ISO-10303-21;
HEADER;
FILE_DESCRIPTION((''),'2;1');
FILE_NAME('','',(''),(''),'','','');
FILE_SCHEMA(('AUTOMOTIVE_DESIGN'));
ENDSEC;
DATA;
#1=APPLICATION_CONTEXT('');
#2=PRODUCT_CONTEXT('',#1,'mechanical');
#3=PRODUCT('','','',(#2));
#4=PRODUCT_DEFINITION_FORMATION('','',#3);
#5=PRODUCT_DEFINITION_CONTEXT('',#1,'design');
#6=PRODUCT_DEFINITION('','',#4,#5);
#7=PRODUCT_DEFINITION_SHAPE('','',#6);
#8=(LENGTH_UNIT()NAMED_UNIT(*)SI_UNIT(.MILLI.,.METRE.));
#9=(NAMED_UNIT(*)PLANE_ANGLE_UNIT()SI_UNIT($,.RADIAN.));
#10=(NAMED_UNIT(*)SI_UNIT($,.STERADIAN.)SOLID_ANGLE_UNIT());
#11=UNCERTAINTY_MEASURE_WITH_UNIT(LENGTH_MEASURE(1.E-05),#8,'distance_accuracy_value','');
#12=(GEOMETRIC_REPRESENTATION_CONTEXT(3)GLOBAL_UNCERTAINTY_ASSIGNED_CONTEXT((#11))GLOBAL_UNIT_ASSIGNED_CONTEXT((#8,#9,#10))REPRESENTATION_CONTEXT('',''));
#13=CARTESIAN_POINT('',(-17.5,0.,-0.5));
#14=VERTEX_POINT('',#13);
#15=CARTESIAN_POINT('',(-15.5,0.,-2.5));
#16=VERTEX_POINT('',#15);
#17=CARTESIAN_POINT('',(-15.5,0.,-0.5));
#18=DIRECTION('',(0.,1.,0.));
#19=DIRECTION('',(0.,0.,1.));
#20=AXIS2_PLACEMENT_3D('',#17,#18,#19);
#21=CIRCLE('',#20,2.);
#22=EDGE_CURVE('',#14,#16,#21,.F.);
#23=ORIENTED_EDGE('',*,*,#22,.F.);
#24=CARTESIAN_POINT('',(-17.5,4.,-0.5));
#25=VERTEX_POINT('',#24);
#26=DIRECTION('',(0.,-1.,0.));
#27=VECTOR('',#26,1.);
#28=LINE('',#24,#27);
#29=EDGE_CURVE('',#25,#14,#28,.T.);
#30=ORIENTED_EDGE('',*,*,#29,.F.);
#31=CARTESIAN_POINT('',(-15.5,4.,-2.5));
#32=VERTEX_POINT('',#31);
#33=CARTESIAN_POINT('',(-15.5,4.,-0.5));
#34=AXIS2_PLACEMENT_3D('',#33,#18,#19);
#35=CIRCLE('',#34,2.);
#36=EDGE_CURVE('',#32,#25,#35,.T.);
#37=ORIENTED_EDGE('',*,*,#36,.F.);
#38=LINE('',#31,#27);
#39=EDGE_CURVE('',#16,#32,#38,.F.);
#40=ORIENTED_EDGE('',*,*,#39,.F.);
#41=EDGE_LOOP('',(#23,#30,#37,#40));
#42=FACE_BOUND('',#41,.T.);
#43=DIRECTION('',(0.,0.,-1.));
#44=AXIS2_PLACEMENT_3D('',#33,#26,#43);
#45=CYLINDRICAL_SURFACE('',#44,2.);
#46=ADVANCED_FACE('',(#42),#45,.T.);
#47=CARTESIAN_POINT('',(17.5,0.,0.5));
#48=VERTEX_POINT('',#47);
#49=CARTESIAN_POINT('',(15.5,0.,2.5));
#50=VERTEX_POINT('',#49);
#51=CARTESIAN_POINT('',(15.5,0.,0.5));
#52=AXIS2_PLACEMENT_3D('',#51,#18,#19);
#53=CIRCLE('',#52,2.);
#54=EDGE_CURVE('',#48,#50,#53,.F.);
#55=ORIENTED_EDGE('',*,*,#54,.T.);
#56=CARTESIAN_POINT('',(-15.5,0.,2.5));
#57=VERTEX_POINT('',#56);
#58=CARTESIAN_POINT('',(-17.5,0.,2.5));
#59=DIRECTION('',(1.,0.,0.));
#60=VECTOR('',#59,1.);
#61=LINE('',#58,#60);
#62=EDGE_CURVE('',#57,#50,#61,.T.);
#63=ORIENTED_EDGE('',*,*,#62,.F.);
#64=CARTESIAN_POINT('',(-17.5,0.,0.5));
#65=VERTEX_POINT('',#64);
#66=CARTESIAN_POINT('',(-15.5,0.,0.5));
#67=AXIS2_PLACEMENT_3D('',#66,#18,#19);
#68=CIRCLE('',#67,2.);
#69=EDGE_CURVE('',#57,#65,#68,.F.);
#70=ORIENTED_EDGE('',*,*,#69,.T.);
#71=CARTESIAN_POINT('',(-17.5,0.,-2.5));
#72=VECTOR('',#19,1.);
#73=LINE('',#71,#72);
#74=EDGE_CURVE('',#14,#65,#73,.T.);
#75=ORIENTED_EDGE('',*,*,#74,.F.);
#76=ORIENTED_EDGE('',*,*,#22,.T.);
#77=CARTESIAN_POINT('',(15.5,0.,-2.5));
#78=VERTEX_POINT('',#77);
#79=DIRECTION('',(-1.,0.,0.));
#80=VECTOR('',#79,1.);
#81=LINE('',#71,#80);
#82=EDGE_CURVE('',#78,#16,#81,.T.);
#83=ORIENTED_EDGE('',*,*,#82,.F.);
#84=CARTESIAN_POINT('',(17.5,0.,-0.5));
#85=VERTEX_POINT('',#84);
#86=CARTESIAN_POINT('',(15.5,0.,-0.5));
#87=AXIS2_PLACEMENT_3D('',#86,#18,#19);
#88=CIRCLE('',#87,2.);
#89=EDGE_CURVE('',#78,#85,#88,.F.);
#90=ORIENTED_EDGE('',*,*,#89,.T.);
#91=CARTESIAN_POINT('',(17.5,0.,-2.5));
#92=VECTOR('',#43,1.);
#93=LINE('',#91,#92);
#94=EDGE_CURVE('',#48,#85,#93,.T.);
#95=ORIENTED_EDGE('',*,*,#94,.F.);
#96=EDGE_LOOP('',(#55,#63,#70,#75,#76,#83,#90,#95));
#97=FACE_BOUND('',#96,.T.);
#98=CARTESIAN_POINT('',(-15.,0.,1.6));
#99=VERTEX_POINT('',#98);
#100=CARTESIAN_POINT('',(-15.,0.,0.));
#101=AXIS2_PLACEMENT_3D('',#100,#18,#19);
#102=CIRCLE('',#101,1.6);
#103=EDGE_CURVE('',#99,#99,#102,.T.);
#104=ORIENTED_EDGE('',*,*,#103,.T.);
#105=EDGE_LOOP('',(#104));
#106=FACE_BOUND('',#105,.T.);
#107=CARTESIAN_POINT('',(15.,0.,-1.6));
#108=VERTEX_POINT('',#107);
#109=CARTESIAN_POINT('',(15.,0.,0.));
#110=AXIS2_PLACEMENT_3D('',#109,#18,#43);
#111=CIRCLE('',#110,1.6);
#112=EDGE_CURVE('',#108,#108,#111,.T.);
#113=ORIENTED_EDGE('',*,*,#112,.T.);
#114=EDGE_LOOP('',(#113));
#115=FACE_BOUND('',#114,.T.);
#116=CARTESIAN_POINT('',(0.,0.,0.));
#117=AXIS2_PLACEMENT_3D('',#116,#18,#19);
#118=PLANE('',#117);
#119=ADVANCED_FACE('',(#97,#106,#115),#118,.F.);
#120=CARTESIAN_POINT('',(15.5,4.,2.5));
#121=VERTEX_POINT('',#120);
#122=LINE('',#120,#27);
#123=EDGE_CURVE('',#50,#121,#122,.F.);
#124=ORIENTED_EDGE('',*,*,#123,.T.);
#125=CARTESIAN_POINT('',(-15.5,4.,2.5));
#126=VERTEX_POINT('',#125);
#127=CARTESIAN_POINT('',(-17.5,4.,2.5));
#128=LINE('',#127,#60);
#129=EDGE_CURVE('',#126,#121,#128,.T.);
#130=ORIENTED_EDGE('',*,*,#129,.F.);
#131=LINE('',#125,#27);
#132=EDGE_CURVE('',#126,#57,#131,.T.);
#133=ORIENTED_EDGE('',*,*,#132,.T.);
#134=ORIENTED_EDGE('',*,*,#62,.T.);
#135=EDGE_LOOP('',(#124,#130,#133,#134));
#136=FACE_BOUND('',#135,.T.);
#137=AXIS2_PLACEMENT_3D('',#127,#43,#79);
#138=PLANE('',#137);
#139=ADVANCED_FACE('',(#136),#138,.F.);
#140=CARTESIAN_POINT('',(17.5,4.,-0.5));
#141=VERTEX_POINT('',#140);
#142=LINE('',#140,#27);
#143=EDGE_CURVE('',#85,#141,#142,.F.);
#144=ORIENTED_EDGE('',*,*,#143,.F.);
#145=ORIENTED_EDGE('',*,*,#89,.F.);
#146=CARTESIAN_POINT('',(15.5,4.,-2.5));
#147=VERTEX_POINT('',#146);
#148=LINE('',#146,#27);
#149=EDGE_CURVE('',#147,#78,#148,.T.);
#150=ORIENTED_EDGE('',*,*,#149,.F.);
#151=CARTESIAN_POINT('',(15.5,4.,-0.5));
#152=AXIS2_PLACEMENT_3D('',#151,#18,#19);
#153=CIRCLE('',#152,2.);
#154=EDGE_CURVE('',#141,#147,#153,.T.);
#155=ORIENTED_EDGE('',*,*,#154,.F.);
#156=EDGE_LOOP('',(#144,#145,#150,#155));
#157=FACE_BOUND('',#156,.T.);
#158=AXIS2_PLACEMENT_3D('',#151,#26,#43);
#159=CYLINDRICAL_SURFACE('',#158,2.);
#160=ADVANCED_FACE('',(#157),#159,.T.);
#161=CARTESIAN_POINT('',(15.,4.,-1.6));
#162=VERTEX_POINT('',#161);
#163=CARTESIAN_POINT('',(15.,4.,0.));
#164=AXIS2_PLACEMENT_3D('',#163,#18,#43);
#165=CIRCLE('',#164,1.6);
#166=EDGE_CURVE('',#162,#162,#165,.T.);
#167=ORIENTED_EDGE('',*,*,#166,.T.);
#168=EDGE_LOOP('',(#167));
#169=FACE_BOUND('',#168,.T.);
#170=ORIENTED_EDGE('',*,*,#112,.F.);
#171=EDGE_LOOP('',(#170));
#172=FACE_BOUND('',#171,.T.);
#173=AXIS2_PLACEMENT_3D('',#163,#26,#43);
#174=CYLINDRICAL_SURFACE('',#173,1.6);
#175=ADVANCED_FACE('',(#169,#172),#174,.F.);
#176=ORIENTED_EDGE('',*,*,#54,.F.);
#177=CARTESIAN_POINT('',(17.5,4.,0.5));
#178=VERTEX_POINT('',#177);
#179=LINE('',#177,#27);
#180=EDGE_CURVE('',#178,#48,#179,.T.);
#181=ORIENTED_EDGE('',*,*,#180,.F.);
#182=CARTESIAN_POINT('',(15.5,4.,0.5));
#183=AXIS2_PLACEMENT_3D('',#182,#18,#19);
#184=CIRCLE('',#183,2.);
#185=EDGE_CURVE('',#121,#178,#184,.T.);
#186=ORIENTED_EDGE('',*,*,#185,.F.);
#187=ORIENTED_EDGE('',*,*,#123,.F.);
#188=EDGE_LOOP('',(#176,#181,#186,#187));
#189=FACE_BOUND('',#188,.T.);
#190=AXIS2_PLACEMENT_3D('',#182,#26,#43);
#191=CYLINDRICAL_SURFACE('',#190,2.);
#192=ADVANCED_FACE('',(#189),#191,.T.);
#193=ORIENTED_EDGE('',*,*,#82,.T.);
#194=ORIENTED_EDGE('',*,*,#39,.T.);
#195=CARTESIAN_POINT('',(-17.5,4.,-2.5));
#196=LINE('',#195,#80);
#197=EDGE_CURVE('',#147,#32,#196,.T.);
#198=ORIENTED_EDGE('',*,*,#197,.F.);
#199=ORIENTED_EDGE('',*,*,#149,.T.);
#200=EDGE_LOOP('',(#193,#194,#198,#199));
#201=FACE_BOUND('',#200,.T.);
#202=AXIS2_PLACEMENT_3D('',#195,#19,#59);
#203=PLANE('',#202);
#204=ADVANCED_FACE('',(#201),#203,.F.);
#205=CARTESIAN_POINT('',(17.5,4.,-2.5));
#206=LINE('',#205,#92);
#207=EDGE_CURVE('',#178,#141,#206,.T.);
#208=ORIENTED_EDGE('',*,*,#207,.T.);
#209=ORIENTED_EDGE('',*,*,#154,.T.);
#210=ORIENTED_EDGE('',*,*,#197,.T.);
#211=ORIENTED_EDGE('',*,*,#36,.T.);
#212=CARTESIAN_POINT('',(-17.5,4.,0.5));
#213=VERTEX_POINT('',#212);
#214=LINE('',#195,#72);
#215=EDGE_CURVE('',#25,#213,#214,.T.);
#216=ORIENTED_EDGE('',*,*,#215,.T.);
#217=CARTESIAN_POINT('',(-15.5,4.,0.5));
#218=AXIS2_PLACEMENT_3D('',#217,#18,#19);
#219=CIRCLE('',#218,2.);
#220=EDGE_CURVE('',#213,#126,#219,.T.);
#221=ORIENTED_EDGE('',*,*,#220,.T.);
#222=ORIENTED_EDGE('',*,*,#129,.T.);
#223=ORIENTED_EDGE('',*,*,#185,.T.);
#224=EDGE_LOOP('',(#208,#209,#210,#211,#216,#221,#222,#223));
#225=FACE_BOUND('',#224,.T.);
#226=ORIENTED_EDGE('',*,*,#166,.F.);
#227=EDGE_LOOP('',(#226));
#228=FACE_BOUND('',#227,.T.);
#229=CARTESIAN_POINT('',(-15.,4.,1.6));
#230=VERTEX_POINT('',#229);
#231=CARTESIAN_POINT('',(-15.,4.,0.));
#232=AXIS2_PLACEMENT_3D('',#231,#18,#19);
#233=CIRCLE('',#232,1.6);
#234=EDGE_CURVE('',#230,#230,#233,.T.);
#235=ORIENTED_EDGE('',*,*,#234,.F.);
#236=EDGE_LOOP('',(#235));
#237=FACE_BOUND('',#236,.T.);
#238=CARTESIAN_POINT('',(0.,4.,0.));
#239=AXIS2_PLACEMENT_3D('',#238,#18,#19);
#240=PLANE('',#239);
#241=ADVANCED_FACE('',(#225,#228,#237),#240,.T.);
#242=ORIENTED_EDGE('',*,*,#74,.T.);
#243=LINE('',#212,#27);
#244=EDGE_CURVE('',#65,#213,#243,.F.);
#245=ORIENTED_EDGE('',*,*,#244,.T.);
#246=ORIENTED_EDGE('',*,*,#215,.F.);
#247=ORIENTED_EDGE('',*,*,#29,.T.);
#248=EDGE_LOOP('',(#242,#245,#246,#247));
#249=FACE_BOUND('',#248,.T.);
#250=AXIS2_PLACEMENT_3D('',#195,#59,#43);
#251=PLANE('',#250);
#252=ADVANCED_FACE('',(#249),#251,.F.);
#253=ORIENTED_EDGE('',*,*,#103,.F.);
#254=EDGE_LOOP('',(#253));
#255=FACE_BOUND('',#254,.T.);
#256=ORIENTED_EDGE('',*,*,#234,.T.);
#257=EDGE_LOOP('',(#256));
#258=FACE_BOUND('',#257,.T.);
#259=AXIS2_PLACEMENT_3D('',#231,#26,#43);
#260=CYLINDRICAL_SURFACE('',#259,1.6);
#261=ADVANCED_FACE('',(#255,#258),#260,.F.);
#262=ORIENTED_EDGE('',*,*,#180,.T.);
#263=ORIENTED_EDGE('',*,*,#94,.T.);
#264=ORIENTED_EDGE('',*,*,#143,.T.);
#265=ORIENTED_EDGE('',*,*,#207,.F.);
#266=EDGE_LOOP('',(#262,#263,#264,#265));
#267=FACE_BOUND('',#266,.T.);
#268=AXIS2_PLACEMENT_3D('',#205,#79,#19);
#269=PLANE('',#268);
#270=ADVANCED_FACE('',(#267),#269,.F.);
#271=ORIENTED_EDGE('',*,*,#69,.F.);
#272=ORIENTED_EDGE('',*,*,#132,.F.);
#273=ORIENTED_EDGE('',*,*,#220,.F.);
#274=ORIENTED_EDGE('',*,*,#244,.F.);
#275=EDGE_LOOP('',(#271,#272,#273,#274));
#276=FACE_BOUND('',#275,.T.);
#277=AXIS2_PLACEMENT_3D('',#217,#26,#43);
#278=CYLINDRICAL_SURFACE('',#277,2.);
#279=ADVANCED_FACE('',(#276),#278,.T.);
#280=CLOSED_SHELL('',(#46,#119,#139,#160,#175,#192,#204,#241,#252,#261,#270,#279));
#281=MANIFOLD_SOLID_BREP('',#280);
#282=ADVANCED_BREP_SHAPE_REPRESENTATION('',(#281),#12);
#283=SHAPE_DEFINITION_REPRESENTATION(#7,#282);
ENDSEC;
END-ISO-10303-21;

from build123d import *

# Parameters (mm, degrees)
SKETCH_1_W      = 35
SKETCH_1_H      = 5
SKETCH_1_R      = 1.6
EXTRUDE_1_DEPTH = 4
FILLET_1_R      = 2


with BuildPart() as part:
    # 草图1 → 凸台-拉伸1 (new body)
    with BuildSketch(Plane(origin=(0, 0, 0), x_dir=(1, 0, 0), z_dir=(0, 1, 0))):
        Rectangle(SKETCH_1_W, SKETCH_1_H)
        with Locations(Location((-15, 0, 0), (0, 0, 270))):
            Circle(SKETCH_1_R, mode=Mode.SUBTRACT)
        with Locations(Location((15, 0, 0), (0, 0, 90))):
            Circle(SKETCH_1_R, mode=Mode.SUBTRACT)
    extrude(amount=EXTRUDE_1_DEPTH)

    # 圆角1
    fillet_1_edges = [part.edges().sort_by_distance(p)[0] for p in [
        (17.5, 2, 2.5),
        (-17.5, 2, 2.5),
        (-17.5, 2, -2.5),
        (17.5, 2, -2.5),
    ]]
    fillet(fillet_1_edges, radius=FILLET_1_R)


solid = part.part
